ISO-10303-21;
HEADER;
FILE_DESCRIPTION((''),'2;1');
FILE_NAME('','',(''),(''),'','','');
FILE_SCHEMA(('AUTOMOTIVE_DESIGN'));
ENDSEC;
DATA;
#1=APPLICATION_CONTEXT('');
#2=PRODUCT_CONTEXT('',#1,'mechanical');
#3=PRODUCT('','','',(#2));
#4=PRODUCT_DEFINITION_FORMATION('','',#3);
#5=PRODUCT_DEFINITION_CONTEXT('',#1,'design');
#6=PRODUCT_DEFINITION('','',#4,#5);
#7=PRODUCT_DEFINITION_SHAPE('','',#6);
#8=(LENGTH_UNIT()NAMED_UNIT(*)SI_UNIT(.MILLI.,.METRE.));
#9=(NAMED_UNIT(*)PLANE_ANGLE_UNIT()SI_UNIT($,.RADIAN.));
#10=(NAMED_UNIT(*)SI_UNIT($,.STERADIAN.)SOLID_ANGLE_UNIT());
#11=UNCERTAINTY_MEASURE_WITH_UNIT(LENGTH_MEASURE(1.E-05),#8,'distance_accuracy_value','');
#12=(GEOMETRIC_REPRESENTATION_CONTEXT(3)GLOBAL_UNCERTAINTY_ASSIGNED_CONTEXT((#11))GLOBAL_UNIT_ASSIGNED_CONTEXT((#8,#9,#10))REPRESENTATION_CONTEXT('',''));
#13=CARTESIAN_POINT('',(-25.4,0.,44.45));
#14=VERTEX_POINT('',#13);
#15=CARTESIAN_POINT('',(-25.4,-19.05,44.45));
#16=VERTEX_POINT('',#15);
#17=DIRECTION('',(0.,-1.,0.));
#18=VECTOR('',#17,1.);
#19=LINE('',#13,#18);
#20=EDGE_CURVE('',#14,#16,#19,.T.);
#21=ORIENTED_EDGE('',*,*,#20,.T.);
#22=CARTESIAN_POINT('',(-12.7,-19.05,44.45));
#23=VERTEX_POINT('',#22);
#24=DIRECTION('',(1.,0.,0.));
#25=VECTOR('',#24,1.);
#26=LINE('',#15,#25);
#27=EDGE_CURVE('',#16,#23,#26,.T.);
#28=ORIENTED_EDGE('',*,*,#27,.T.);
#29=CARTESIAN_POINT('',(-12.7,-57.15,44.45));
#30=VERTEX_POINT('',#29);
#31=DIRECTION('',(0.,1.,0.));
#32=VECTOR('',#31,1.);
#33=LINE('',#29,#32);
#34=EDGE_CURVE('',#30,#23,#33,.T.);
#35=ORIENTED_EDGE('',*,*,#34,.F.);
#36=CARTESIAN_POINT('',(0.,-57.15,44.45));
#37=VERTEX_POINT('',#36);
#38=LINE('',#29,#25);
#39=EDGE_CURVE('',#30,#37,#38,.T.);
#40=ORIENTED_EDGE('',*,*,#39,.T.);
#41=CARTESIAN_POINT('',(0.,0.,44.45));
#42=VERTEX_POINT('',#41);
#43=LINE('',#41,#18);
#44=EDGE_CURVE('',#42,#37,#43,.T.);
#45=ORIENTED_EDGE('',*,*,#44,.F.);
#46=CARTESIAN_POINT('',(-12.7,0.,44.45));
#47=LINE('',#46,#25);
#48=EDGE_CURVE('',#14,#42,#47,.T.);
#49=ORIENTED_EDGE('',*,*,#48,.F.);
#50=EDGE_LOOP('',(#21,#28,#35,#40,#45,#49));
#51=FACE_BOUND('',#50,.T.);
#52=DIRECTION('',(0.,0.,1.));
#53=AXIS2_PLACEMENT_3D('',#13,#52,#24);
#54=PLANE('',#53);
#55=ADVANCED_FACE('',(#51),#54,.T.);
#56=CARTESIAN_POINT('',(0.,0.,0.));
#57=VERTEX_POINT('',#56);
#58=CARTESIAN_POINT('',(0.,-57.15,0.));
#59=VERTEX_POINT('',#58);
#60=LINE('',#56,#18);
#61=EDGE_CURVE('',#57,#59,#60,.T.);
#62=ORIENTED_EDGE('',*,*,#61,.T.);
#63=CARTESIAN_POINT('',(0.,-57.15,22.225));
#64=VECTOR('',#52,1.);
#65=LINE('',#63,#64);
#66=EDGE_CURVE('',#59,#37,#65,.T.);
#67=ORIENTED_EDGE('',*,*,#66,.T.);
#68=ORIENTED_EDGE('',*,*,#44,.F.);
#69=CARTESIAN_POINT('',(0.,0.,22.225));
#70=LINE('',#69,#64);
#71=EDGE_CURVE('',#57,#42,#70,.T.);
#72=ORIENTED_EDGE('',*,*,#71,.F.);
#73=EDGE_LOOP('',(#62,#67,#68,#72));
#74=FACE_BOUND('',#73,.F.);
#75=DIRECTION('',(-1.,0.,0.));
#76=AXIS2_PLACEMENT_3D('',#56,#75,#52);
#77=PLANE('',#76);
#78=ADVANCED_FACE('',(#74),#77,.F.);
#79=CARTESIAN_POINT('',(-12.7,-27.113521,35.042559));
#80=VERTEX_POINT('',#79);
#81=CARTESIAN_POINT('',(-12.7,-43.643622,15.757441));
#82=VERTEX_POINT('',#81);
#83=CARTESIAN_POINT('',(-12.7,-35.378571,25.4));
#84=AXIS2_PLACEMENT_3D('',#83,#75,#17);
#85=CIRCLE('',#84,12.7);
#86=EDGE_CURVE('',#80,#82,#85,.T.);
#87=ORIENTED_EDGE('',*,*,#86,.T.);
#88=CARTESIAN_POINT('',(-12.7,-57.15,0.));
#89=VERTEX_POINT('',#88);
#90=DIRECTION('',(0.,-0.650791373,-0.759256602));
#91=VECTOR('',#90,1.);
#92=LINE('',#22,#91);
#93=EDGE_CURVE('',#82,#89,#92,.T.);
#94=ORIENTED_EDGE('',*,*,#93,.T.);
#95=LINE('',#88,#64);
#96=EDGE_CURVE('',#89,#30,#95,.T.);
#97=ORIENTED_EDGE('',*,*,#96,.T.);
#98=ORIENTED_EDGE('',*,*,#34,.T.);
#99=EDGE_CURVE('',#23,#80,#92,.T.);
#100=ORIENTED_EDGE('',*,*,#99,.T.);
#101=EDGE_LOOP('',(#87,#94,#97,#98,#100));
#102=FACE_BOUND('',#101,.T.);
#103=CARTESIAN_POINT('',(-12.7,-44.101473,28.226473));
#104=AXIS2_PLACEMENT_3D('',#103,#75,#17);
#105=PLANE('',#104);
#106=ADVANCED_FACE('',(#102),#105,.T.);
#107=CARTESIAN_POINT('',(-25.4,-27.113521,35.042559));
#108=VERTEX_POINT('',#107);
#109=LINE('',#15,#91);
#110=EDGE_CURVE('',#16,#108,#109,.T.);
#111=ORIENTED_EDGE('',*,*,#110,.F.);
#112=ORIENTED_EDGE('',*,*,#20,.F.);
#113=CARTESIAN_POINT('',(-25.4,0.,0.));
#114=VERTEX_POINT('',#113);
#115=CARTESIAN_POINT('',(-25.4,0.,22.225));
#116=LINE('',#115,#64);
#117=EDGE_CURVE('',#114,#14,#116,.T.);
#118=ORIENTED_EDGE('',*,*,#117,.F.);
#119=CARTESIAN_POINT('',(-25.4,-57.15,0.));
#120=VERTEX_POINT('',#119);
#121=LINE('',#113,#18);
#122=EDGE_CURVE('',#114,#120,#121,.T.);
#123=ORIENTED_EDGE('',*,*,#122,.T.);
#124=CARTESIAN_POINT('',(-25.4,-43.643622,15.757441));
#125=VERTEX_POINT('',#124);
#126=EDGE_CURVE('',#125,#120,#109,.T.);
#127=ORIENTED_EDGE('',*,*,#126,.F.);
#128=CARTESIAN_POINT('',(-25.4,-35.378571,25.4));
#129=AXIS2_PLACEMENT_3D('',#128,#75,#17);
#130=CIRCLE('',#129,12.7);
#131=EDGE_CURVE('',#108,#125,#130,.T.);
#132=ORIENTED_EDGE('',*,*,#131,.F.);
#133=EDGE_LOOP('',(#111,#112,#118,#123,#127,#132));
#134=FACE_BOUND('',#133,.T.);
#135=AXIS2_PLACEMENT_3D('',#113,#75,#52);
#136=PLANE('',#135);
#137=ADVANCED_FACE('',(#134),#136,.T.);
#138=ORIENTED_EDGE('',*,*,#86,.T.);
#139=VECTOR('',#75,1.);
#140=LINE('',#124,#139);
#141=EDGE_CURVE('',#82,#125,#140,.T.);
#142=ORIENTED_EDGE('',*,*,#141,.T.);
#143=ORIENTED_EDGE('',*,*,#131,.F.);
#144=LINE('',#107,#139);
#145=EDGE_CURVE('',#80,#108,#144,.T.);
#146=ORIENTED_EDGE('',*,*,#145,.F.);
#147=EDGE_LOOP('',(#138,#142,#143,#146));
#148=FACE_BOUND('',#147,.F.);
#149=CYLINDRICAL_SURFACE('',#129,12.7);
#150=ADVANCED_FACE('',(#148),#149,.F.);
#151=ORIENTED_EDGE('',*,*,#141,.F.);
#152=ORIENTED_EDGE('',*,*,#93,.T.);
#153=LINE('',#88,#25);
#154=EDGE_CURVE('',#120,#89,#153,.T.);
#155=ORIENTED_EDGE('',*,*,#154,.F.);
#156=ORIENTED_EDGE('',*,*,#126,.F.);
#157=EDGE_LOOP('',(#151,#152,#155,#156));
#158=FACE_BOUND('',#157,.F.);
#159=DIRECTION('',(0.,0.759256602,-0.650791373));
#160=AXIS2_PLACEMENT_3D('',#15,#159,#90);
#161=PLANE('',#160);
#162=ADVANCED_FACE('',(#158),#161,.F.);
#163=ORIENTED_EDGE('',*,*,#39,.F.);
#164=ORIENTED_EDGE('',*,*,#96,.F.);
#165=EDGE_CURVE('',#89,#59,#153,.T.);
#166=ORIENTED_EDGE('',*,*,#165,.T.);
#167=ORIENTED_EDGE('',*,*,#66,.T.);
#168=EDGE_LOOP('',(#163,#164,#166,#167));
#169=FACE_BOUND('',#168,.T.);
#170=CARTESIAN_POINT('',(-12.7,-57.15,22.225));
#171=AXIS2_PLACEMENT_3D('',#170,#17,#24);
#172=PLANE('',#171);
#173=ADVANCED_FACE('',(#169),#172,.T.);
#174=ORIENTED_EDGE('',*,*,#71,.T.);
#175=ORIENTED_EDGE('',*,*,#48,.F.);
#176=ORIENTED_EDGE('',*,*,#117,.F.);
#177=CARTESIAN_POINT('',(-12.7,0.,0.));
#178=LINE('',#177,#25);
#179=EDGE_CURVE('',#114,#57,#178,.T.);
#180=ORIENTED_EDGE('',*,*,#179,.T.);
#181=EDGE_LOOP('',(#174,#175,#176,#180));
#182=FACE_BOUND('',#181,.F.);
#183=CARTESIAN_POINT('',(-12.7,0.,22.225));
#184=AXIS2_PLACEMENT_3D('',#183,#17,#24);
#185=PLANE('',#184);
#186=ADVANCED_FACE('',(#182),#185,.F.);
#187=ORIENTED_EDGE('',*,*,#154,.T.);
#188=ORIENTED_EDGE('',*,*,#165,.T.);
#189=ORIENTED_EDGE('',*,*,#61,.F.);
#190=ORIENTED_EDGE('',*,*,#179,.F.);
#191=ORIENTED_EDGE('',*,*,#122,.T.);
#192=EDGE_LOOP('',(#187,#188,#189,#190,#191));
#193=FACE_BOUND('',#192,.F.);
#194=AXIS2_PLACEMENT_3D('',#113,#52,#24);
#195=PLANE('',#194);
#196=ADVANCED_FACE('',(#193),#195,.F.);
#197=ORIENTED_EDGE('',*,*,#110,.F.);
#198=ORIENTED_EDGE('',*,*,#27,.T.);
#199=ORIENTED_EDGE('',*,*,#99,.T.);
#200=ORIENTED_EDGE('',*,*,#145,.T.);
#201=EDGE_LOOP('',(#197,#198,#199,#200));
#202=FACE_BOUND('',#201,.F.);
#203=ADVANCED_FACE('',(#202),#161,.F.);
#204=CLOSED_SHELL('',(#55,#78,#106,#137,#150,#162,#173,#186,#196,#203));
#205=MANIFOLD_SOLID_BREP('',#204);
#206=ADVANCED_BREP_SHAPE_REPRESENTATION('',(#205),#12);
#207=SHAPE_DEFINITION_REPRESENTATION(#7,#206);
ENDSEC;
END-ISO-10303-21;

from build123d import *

# Parameters (mm, degrees)
F0_W     = 25.4
F0_H     = 44.45
F1_DEPTH = 57.15
F3_DEPTH = 12.7
F4_R     = 12.7
F5_DEPTH = 12.7


with BuildPart() as f1:
    # F0 (on Front) → F1 (new body)
    with BuildSketch(Plane.XZ):
        with Locations((-12.7, 22.225)):
            Rectangle(F0_W, F0_H)
    extrude(amount=F1_DEPTH)

    # F2 (on face) → F3 (cut)
    with BuildSketch(Plane(origin=(-25.4, 0, 0), x_dir=(0, -1, 0), z_dir=(-1, 0, 0))):
        Polygon((57.15, 44.45), (19.05, 44.45), (57.15, 0), align=None)
    extrude(amount=-F3_DEPTH, mode=Mode.SUBTRACT)

    # F4 (on face) → F5 (cut)
    with BuildSketch(Plane(origin=(-25.4, 0, 0), x_dir=(0, -1, 0), z_dir=(-1, 0, 0))):
        with Locations((35.378571, 25.4)):
            Circle(F4_R)
    extrude(amount=-F5_DEPTH, mode=Mode.SUBTRACT)


solid = f1.part
